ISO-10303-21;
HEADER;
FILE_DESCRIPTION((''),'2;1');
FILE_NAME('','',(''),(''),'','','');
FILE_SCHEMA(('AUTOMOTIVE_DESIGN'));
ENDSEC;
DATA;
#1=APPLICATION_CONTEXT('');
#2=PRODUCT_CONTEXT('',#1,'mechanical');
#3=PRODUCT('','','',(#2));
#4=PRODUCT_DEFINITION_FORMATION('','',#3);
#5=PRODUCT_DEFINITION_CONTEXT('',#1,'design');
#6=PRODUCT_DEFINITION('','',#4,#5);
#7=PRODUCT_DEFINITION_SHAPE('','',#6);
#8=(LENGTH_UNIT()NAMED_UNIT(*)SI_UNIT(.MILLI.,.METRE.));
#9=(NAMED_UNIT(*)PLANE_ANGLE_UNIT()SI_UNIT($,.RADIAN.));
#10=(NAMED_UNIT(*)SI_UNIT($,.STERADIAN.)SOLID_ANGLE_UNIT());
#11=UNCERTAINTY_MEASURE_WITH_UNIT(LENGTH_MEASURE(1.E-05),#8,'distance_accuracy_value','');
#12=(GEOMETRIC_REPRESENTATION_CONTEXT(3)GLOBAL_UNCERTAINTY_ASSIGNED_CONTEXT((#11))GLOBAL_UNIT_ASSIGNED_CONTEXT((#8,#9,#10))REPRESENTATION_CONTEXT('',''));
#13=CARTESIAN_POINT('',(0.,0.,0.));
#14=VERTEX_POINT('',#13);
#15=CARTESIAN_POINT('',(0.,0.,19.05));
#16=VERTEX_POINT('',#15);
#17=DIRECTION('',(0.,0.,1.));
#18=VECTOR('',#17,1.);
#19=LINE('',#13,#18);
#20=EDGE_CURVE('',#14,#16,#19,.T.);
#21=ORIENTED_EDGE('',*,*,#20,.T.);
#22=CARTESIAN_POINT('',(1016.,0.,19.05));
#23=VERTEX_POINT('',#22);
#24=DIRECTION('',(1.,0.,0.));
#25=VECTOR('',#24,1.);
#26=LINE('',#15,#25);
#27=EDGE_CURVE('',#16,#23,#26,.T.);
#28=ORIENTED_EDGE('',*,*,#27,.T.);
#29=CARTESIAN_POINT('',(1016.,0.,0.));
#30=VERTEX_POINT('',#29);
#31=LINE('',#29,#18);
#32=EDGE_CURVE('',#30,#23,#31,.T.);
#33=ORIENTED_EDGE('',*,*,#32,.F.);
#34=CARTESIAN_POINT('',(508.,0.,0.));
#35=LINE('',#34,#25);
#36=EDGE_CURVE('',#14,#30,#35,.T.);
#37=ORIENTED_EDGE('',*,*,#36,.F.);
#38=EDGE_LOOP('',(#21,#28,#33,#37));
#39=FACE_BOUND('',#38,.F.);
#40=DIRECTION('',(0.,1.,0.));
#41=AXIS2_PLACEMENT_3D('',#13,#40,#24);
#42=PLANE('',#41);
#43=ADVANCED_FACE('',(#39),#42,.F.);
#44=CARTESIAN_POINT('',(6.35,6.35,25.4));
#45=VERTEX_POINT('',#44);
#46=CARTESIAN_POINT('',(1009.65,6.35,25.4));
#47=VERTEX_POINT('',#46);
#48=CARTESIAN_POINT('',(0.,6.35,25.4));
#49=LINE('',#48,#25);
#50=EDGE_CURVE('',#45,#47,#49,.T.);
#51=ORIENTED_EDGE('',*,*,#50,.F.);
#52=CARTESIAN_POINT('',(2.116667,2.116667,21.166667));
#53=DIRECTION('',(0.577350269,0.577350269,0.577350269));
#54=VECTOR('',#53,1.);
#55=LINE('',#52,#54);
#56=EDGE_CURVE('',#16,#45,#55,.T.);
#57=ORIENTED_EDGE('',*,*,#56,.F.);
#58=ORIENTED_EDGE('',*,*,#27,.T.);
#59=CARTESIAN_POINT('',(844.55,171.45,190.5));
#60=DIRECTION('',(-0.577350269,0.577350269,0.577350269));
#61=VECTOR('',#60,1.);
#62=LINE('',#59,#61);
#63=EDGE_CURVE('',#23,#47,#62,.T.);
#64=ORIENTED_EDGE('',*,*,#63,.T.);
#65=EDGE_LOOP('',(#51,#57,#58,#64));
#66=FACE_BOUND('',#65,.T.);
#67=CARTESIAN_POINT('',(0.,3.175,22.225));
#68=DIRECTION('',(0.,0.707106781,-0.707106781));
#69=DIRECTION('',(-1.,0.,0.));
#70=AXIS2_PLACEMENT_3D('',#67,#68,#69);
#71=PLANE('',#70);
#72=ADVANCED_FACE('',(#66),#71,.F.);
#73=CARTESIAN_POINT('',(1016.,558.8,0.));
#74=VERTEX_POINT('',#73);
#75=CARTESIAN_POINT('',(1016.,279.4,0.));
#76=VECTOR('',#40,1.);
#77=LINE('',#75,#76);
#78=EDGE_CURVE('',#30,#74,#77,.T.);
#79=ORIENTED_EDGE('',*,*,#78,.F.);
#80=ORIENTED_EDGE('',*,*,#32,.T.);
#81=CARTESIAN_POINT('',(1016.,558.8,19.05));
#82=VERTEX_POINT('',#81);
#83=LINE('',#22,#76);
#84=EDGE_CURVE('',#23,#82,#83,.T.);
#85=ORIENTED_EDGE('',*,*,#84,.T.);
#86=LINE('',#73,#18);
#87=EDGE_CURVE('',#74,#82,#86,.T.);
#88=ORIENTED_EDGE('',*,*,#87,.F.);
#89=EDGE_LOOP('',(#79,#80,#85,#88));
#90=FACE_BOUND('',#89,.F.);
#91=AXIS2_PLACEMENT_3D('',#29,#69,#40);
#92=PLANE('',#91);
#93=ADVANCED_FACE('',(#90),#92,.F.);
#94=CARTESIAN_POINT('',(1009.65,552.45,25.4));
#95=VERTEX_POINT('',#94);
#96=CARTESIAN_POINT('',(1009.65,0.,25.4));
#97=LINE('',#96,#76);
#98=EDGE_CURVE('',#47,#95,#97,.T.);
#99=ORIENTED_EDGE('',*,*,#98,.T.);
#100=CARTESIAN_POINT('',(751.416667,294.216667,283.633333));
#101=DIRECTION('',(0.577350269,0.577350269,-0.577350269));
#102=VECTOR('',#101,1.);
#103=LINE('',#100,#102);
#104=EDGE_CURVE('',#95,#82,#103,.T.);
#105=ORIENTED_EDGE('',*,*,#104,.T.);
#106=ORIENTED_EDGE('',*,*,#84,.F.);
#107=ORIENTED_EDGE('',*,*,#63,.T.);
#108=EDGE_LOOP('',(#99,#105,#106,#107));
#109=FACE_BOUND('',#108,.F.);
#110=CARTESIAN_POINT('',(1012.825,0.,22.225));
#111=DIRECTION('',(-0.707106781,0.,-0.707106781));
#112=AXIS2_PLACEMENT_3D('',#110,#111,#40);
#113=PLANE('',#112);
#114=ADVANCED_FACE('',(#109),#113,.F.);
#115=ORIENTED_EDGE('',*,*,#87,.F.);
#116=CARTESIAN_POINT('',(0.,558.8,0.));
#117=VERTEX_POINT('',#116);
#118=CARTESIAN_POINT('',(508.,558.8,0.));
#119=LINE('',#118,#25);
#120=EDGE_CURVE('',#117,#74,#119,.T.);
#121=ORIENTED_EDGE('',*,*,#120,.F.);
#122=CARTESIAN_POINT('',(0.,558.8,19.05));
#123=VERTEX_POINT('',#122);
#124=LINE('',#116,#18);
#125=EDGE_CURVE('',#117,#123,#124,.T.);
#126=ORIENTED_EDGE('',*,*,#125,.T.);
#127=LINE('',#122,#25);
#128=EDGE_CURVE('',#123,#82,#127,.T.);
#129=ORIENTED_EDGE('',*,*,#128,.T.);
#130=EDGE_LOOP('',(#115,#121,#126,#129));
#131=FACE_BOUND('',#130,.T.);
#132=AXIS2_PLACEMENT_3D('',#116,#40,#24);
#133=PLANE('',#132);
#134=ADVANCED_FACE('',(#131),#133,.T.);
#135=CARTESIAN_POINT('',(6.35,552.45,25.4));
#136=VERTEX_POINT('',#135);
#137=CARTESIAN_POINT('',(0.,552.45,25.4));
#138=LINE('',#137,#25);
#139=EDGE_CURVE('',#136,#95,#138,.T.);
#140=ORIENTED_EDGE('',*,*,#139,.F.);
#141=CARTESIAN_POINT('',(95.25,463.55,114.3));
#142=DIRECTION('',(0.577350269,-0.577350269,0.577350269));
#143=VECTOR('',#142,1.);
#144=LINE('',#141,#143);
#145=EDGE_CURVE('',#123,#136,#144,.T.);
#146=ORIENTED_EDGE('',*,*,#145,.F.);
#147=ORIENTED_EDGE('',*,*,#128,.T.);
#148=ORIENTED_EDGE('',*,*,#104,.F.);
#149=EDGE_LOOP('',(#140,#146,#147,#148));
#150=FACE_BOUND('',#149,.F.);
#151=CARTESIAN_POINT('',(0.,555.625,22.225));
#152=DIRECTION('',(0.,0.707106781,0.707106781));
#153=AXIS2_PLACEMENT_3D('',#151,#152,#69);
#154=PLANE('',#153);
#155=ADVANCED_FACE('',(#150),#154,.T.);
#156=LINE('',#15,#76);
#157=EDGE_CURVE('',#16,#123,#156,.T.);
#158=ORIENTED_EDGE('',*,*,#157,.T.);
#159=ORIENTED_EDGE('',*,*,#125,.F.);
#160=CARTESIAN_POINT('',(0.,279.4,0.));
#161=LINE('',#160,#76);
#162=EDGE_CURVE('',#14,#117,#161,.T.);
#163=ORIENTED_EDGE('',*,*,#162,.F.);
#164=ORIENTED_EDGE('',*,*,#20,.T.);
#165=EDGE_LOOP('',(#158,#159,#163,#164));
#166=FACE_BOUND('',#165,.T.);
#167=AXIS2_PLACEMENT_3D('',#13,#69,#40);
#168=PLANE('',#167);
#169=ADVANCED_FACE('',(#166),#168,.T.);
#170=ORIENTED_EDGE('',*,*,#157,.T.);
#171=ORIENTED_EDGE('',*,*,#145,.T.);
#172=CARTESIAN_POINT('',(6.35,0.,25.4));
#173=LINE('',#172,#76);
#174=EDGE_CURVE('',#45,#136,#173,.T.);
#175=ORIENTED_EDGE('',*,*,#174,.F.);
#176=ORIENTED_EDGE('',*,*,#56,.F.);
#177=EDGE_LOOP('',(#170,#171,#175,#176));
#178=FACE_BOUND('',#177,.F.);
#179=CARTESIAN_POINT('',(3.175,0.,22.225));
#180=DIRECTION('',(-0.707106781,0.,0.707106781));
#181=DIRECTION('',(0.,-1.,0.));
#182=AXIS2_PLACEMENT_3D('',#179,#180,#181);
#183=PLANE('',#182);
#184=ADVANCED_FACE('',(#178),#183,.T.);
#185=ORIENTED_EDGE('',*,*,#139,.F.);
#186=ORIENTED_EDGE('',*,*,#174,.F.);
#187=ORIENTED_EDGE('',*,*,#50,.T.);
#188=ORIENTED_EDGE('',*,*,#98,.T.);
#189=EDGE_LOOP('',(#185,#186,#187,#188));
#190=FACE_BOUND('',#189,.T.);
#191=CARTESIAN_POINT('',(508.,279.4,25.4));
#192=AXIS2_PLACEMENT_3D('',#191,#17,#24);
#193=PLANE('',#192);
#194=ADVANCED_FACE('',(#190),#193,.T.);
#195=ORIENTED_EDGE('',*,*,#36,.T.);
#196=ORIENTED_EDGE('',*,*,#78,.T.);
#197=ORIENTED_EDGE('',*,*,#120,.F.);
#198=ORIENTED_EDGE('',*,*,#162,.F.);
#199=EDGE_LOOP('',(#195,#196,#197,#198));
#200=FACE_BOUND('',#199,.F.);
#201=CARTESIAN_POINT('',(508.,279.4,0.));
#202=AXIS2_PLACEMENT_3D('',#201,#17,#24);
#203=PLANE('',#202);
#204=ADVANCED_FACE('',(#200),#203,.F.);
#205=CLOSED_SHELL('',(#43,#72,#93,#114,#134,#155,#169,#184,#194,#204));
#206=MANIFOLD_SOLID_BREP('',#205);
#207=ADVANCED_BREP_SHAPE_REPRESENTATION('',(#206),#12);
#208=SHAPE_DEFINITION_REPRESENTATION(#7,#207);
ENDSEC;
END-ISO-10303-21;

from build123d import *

# Parameters (mm, degrees)
F0_W     = 1016
F0_H     = 558.8
F1_DEPTH = 25.4
F2_DEPTH = 25.4
F3_SIZE  = 6.35


with BuildPart() as f1:
    # F0 (on Top) → F1 (new body)
    with BuildSketch(Plane.XY):
        with Locations((508, 279.4)):
            Rectangle(F0_W, F0_H)
    extrude(amount=F1_DEPTH)

    # F0 (on Top) → F2 (join)
    with BuildSketch(Plane.XY):
        with Locations((508, 279.4)):
            Rectangle(F0_W, F0_H)
    extrude(amount=F2_DEPTH)

    # F3
    f3_edges = [f1.edges().sort_by_distance(p)[0] for p in [
        (0, 279.4, 25.4),
        (508, 0, 25.4),
        (1016, 279.4, 25.4),
        (508, 558.8, 25.4),
    ]]
    chamfer(f3_edges, length=F3_SIZE)


solid = f1.part
